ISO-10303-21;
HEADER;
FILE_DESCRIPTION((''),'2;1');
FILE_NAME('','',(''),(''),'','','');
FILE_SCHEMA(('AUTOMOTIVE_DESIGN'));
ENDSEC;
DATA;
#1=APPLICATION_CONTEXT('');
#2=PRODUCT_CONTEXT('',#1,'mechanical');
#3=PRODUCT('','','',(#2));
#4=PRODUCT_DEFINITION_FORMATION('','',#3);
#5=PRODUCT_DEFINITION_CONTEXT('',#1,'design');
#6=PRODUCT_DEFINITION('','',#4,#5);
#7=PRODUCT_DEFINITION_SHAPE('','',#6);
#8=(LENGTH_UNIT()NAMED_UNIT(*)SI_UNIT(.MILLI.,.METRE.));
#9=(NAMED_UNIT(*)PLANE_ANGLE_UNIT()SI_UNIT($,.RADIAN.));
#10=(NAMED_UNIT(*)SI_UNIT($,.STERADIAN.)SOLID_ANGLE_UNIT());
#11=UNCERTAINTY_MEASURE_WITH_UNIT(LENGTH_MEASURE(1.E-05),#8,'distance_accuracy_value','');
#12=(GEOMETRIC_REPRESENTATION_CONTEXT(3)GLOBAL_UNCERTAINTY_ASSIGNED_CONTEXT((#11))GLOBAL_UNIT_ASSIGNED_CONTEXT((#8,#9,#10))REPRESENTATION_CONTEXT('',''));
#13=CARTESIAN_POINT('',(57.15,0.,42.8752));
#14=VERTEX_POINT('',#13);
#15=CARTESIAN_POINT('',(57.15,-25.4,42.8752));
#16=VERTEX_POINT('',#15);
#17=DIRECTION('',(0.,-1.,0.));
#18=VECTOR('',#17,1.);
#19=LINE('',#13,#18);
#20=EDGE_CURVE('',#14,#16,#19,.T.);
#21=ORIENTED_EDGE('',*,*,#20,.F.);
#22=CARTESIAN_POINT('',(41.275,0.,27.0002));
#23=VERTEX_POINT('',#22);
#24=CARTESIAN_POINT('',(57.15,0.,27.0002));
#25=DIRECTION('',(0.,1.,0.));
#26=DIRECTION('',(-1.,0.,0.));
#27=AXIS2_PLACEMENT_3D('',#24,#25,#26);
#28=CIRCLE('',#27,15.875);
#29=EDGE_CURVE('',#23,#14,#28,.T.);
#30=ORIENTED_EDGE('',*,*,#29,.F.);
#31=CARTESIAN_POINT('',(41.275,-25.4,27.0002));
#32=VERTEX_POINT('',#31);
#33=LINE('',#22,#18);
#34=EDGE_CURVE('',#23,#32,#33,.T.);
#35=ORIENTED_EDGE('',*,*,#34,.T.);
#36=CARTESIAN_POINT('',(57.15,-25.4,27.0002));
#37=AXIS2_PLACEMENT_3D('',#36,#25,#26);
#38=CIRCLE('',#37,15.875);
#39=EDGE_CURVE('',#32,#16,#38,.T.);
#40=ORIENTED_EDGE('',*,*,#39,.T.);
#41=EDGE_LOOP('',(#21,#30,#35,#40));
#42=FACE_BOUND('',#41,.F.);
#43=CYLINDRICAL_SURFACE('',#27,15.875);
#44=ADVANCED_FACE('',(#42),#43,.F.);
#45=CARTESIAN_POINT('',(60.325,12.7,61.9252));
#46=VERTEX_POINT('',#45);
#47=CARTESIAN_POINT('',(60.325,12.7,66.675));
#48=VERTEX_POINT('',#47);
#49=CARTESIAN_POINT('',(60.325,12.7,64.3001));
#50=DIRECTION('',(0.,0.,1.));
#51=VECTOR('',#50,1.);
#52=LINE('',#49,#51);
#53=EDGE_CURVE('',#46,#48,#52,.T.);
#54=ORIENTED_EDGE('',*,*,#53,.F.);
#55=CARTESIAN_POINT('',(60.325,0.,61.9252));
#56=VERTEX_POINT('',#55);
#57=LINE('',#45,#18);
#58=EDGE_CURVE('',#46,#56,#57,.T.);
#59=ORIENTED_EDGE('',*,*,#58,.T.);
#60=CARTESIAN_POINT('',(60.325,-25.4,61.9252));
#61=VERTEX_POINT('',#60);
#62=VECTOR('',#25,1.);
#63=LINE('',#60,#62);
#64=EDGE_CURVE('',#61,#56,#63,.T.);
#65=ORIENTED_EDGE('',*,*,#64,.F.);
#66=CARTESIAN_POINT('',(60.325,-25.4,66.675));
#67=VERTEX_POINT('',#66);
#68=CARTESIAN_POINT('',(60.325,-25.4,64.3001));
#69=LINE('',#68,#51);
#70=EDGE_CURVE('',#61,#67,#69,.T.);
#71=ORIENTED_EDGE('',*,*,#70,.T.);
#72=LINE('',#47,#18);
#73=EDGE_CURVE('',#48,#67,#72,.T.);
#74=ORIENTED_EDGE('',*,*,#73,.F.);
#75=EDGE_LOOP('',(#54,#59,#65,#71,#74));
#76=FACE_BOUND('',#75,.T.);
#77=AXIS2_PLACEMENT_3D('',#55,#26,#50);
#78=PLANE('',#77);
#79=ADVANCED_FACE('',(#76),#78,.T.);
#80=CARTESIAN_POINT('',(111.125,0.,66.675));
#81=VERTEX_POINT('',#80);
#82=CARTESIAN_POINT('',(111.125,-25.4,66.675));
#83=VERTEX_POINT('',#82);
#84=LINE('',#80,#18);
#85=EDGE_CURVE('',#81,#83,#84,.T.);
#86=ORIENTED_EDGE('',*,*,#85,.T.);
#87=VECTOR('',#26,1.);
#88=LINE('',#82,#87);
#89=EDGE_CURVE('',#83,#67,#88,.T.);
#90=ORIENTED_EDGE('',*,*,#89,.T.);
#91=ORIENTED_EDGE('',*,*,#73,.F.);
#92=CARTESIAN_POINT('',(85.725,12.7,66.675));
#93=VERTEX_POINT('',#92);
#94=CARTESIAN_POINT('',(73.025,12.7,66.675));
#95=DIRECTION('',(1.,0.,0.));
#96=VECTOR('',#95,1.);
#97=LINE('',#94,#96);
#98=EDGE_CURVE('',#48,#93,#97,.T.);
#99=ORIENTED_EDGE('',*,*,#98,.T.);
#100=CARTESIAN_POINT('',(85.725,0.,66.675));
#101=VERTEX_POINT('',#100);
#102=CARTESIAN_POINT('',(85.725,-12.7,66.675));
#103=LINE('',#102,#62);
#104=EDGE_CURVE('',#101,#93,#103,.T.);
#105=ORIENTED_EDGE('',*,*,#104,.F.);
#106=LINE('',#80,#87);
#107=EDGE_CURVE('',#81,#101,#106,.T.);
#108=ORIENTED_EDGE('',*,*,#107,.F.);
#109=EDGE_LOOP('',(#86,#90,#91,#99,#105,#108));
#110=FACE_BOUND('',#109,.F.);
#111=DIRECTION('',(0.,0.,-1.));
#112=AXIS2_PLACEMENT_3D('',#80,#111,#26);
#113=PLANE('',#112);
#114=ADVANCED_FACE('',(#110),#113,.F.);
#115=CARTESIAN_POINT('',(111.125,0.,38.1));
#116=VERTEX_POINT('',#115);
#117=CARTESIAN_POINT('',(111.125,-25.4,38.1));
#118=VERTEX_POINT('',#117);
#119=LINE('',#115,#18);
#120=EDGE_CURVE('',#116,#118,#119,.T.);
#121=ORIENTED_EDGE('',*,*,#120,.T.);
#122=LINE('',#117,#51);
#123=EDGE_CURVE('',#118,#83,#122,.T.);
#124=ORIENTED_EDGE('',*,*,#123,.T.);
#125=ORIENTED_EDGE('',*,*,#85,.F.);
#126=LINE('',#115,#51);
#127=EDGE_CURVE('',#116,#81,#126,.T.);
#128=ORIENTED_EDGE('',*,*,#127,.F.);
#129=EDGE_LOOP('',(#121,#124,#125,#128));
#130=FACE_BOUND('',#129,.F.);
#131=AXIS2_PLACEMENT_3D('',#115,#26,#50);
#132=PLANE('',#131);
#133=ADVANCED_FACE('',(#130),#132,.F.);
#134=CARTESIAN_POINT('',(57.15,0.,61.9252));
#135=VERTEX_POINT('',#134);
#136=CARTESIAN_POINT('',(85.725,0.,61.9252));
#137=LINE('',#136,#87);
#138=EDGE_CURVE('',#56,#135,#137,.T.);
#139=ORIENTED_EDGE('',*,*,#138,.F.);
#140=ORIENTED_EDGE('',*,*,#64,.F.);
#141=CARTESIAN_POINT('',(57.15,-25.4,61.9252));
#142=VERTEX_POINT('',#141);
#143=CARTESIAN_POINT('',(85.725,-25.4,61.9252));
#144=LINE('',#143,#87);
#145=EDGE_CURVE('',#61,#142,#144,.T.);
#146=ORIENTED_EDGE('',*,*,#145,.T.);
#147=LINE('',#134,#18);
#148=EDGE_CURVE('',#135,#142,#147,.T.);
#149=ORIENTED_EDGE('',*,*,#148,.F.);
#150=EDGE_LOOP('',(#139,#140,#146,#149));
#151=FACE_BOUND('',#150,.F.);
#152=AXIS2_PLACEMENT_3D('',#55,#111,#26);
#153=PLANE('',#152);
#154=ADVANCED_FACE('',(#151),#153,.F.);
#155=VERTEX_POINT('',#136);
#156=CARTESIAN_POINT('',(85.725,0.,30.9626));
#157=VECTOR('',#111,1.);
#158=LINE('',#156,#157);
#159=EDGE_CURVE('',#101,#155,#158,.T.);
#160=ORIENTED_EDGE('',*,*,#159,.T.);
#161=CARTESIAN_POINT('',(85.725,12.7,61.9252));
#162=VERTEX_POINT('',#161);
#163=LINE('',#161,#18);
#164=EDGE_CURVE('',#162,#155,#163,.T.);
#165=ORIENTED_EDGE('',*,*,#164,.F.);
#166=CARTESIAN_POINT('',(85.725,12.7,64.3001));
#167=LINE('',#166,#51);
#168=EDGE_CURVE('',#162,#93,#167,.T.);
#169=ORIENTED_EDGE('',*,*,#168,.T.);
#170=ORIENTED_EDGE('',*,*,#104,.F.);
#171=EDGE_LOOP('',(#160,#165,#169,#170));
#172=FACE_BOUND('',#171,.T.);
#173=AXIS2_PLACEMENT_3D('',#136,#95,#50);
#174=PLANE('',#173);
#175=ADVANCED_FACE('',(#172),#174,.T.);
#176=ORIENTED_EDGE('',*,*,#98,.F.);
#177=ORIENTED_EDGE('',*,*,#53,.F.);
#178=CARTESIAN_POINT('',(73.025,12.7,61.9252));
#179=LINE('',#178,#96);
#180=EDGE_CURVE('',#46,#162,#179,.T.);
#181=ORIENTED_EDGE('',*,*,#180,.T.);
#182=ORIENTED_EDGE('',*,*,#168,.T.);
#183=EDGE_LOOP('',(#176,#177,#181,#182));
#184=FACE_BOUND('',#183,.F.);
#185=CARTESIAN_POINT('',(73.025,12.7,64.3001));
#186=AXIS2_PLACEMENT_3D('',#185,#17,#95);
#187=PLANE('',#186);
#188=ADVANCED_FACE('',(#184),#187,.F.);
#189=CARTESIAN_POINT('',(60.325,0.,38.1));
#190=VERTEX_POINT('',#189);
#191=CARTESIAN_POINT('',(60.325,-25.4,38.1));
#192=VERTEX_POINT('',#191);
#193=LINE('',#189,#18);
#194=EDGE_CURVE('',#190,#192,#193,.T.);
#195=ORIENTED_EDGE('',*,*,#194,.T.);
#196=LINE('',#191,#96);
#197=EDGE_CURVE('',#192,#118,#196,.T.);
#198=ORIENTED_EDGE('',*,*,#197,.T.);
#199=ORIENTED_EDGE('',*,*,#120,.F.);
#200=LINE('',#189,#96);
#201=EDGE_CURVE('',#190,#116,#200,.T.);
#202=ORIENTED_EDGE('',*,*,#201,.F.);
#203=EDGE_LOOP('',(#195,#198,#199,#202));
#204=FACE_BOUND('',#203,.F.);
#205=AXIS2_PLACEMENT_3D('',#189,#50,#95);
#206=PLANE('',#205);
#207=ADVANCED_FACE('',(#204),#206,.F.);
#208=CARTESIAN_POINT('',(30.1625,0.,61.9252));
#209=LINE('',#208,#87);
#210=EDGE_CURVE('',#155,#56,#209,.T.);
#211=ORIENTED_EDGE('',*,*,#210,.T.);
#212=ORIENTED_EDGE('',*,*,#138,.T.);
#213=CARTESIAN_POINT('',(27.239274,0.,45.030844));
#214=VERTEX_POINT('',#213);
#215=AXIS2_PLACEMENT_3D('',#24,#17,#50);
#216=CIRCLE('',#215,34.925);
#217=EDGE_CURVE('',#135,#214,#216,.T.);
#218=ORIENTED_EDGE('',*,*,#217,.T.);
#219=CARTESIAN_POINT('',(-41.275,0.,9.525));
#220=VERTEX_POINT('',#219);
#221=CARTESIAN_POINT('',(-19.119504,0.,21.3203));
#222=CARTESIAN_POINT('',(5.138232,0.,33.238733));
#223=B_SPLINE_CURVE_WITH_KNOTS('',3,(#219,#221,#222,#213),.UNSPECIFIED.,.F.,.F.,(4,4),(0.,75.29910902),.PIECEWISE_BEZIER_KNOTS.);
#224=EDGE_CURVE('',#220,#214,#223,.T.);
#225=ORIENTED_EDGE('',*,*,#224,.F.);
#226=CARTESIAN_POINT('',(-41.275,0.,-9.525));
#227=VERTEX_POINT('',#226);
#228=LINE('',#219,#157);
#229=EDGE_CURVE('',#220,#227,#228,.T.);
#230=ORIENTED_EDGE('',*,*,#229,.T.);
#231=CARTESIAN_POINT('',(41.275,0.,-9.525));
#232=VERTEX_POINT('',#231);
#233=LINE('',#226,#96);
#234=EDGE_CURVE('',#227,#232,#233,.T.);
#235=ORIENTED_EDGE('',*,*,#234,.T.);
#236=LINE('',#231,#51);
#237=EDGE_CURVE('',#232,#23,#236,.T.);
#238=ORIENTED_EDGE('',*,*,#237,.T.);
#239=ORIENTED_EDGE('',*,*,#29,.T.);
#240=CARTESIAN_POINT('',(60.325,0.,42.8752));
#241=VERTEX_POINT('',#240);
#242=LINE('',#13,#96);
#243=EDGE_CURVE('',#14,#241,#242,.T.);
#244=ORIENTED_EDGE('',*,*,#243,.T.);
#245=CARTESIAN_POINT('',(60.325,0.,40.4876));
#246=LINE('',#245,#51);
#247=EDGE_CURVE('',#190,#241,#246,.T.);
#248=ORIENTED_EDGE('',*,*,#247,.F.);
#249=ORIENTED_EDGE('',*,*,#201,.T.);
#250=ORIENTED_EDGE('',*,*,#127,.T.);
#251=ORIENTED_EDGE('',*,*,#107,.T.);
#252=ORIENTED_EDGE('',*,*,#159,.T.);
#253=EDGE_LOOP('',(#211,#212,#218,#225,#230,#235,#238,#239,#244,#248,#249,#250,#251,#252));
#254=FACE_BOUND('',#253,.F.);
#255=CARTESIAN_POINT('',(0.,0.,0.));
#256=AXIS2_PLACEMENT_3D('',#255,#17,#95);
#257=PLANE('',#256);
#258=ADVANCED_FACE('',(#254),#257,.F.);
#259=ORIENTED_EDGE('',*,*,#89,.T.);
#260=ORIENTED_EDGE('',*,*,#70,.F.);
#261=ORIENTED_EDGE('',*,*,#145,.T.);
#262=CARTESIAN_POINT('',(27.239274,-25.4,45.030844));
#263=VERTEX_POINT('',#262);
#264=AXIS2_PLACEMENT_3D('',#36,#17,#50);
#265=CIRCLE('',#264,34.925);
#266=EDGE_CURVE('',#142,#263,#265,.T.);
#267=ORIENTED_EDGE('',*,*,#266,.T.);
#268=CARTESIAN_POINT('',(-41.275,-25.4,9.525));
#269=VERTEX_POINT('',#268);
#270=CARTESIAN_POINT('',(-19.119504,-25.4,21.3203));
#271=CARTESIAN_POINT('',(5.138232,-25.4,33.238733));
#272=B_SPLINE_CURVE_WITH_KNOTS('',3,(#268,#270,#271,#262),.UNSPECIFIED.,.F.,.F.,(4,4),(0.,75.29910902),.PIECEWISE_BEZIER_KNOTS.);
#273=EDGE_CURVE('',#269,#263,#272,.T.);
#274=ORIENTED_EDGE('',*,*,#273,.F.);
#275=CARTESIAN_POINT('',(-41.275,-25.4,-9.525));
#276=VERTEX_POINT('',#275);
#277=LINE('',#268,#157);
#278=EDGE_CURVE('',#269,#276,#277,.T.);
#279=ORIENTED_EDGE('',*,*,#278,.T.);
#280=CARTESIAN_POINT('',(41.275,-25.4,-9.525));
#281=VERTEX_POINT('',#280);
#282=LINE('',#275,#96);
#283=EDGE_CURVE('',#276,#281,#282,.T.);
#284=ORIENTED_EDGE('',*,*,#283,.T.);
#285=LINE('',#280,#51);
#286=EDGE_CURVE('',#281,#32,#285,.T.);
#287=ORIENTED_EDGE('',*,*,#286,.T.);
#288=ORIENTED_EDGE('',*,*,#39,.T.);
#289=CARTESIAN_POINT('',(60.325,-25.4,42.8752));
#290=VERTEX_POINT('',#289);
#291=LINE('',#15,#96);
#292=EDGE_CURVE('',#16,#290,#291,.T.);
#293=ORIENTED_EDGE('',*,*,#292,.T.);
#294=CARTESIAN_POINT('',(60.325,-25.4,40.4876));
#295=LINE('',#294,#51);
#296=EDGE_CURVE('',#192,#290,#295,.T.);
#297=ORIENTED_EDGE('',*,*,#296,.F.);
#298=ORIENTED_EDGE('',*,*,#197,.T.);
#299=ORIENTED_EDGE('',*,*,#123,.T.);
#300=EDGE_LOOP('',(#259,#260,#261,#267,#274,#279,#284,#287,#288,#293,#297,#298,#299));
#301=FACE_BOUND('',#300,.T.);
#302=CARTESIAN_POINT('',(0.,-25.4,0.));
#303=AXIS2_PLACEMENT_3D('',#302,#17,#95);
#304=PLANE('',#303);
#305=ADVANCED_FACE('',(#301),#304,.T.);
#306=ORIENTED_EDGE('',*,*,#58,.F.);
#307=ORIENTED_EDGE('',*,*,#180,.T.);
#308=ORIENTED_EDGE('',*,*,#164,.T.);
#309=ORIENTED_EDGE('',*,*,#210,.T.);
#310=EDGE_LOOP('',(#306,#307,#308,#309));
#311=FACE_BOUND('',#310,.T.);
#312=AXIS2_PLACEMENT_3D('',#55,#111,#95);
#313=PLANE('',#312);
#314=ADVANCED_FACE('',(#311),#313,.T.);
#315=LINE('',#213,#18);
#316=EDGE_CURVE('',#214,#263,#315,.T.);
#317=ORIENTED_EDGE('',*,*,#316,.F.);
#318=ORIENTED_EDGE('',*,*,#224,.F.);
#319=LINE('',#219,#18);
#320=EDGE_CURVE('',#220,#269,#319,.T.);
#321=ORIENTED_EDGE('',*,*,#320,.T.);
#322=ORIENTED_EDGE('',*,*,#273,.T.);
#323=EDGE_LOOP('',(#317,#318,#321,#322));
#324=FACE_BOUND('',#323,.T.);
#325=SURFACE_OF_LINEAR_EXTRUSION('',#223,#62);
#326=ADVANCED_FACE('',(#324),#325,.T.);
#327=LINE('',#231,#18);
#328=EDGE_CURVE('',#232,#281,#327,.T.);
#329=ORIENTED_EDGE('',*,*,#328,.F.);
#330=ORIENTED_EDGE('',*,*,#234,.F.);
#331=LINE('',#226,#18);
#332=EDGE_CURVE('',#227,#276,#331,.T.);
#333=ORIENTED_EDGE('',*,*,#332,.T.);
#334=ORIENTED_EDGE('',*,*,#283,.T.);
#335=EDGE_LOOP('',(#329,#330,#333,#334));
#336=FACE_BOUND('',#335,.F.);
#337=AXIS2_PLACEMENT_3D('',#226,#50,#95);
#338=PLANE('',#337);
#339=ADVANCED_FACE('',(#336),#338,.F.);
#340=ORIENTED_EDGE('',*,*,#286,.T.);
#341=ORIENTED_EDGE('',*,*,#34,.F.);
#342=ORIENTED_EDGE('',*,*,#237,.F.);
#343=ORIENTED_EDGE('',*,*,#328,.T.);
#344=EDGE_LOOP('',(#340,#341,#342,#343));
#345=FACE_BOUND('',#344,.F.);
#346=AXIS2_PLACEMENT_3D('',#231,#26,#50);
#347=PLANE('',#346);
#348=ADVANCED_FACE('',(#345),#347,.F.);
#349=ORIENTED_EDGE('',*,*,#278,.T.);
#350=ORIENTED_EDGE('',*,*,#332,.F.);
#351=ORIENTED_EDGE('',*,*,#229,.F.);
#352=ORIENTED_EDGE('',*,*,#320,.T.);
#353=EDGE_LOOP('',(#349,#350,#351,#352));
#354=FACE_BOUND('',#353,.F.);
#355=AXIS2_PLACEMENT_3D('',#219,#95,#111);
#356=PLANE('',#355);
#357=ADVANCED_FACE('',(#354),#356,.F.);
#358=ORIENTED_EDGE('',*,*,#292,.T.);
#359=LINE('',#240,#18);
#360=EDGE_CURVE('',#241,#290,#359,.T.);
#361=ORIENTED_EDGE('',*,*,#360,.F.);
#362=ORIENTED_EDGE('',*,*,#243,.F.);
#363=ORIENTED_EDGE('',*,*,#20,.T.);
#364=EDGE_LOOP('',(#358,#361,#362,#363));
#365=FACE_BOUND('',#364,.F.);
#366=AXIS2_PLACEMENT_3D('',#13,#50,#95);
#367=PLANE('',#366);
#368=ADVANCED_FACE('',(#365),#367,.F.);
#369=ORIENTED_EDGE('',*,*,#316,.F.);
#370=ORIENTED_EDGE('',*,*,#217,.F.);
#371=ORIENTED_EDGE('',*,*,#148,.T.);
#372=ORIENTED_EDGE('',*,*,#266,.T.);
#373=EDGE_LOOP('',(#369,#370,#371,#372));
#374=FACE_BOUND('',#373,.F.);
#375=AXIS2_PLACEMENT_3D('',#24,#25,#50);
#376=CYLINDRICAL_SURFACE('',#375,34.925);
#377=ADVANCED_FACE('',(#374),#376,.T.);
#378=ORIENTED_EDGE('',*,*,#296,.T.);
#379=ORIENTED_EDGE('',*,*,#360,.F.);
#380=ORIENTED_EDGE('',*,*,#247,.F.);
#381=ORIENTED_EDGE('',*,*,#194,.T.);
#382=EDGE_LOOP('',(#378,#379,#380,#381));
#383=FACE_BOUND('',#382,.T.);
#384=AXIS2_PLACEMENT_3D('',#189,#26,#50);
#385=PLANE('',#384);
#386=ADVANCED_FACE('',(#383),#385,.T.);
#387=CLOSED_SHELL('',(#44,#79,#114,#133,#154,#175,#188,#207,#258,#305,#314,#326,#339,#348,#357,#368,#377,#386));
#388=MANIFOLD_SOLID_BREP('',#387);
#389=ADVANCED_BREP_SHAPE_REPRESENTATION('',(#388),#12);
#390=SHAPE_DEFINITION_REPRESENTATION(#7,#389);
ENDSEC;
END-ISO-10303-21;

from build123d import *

# Parameters (mm, degrees)
F0_W     = 25.4
F0_H     = 4.7498
F1_DEPTH = 12.7
F0_H_2   = 19.05
F0_H_3   = 4.7752
F2_DEPTH = 25.4


with BuildPart() as f1:
    # F0 (on Front) → F1 (new body, symmetric)
    with BuildSketch(Plane.XZ):
        with Locations((73.025, 64.3001)):
            Rectangle(F0_W, F0_H)
    extrude(amount=F1_DEPTH, both=True)

    # F0 (on Front) → F2 (join)
    with BuildSketch(Plane.XZ):
        Polygon((-41.275, 9.525), (-41.275, -9.525), (41.275, -9.525), (41.275, 9.525), (22.225, 9.525), align=None)
        with BuildLine():
            add(Edge.make_bspline(
                [(-41.275, 9.525), (-19.1195043274, 21.3203000187), (5.1382319655, 33.2387329839), (27.2392741904, 45.0308435421)],
                knots=[0, 0, 0, 0, 75.2991090205, 75.2991090205, 75.2991090205, 75.2991090205], degree=3))
            Line((-41.275, 9.525), (22.225, 9.525))
            Line((22.225, 9.525), (22.225, 27.0002))
            ThreePointArc((22.225, 27.0002), (23.5019114666, 36.3576442584), (27.2392741904, 45.0308435421))
        make_face()
        with BuildLine():
            Line((22.225, 9.525), (41.275, 9.525))
            Line((41.275, 9.525), (41.275, 27.0002))
            ThreePointArc((41.275, 27.0002), (45.9246798487, 38.2255201513), (57.15, 42.8752))
            Line((57.15, 42.8752), (60.325, 42.8752))
            Line((60.325, 42.8752), (60.325, 61.9252))
            Line((60.325, 61.9252), (57.15, 61.9252))
            add(Edge.make_bspline(
                [(27.2392741904, 45.0308435421), (37.8659294652, 50.7007432957), (47.9939802099, 56.341438664), (57.15, 61.9252)],
                knots=[75.2991090205, 75.2991090205, 75.2991090205, 75.2991090205, 111.5045361635, 111.5045361635, 111.5045361635, 111.5045361635], degree=3))
            ThreePointArc((27.2392741904, 45.0308435421), (23.5019114666, 36.3576442584), (22.225, 27.0002))
            Line((22.225, 27.0002), (22.225, 9.525))
        make_face()
        with BuildLine():
            ThreePointArc((57.15, 61.9252), (39.9739207138, 57.4097038656), (27.2392741904, 45.0308435421))
            add(Edge.make_bspline(
                [(27.2392741904, 45.0308435421), (37.8659294652, 50.7007432957), (47.9939802099, 56.341438664), (57.15, 61.9252)],
                knots=[75.2991090205, 75.2991090205, 75.2991090205, 75.2991090205, 111.5045361635, 111.5045361635, 111.5045361635, 111.5045361635], degree=3))
        make_face()
        with Locations((73.025, 52.4002)):
            Rectangle(F0_W, F0_H_2)
        with Locations((73.025, 64.3001)):
            Rectangle(F0_W, F0_H)
        with Locations((73.025, 40.4876)):
            Rectangle(F0_W, F0_H_3)
        Polygon((85.725, 66.675), (85.725, 61.9252), (85.725, 42.8752), (85.725, 38.1), (111.125, 38.1), (111.125, 66.675), align=None)
    extrude(amount=F2_DEPTH)


solid = f1.part
